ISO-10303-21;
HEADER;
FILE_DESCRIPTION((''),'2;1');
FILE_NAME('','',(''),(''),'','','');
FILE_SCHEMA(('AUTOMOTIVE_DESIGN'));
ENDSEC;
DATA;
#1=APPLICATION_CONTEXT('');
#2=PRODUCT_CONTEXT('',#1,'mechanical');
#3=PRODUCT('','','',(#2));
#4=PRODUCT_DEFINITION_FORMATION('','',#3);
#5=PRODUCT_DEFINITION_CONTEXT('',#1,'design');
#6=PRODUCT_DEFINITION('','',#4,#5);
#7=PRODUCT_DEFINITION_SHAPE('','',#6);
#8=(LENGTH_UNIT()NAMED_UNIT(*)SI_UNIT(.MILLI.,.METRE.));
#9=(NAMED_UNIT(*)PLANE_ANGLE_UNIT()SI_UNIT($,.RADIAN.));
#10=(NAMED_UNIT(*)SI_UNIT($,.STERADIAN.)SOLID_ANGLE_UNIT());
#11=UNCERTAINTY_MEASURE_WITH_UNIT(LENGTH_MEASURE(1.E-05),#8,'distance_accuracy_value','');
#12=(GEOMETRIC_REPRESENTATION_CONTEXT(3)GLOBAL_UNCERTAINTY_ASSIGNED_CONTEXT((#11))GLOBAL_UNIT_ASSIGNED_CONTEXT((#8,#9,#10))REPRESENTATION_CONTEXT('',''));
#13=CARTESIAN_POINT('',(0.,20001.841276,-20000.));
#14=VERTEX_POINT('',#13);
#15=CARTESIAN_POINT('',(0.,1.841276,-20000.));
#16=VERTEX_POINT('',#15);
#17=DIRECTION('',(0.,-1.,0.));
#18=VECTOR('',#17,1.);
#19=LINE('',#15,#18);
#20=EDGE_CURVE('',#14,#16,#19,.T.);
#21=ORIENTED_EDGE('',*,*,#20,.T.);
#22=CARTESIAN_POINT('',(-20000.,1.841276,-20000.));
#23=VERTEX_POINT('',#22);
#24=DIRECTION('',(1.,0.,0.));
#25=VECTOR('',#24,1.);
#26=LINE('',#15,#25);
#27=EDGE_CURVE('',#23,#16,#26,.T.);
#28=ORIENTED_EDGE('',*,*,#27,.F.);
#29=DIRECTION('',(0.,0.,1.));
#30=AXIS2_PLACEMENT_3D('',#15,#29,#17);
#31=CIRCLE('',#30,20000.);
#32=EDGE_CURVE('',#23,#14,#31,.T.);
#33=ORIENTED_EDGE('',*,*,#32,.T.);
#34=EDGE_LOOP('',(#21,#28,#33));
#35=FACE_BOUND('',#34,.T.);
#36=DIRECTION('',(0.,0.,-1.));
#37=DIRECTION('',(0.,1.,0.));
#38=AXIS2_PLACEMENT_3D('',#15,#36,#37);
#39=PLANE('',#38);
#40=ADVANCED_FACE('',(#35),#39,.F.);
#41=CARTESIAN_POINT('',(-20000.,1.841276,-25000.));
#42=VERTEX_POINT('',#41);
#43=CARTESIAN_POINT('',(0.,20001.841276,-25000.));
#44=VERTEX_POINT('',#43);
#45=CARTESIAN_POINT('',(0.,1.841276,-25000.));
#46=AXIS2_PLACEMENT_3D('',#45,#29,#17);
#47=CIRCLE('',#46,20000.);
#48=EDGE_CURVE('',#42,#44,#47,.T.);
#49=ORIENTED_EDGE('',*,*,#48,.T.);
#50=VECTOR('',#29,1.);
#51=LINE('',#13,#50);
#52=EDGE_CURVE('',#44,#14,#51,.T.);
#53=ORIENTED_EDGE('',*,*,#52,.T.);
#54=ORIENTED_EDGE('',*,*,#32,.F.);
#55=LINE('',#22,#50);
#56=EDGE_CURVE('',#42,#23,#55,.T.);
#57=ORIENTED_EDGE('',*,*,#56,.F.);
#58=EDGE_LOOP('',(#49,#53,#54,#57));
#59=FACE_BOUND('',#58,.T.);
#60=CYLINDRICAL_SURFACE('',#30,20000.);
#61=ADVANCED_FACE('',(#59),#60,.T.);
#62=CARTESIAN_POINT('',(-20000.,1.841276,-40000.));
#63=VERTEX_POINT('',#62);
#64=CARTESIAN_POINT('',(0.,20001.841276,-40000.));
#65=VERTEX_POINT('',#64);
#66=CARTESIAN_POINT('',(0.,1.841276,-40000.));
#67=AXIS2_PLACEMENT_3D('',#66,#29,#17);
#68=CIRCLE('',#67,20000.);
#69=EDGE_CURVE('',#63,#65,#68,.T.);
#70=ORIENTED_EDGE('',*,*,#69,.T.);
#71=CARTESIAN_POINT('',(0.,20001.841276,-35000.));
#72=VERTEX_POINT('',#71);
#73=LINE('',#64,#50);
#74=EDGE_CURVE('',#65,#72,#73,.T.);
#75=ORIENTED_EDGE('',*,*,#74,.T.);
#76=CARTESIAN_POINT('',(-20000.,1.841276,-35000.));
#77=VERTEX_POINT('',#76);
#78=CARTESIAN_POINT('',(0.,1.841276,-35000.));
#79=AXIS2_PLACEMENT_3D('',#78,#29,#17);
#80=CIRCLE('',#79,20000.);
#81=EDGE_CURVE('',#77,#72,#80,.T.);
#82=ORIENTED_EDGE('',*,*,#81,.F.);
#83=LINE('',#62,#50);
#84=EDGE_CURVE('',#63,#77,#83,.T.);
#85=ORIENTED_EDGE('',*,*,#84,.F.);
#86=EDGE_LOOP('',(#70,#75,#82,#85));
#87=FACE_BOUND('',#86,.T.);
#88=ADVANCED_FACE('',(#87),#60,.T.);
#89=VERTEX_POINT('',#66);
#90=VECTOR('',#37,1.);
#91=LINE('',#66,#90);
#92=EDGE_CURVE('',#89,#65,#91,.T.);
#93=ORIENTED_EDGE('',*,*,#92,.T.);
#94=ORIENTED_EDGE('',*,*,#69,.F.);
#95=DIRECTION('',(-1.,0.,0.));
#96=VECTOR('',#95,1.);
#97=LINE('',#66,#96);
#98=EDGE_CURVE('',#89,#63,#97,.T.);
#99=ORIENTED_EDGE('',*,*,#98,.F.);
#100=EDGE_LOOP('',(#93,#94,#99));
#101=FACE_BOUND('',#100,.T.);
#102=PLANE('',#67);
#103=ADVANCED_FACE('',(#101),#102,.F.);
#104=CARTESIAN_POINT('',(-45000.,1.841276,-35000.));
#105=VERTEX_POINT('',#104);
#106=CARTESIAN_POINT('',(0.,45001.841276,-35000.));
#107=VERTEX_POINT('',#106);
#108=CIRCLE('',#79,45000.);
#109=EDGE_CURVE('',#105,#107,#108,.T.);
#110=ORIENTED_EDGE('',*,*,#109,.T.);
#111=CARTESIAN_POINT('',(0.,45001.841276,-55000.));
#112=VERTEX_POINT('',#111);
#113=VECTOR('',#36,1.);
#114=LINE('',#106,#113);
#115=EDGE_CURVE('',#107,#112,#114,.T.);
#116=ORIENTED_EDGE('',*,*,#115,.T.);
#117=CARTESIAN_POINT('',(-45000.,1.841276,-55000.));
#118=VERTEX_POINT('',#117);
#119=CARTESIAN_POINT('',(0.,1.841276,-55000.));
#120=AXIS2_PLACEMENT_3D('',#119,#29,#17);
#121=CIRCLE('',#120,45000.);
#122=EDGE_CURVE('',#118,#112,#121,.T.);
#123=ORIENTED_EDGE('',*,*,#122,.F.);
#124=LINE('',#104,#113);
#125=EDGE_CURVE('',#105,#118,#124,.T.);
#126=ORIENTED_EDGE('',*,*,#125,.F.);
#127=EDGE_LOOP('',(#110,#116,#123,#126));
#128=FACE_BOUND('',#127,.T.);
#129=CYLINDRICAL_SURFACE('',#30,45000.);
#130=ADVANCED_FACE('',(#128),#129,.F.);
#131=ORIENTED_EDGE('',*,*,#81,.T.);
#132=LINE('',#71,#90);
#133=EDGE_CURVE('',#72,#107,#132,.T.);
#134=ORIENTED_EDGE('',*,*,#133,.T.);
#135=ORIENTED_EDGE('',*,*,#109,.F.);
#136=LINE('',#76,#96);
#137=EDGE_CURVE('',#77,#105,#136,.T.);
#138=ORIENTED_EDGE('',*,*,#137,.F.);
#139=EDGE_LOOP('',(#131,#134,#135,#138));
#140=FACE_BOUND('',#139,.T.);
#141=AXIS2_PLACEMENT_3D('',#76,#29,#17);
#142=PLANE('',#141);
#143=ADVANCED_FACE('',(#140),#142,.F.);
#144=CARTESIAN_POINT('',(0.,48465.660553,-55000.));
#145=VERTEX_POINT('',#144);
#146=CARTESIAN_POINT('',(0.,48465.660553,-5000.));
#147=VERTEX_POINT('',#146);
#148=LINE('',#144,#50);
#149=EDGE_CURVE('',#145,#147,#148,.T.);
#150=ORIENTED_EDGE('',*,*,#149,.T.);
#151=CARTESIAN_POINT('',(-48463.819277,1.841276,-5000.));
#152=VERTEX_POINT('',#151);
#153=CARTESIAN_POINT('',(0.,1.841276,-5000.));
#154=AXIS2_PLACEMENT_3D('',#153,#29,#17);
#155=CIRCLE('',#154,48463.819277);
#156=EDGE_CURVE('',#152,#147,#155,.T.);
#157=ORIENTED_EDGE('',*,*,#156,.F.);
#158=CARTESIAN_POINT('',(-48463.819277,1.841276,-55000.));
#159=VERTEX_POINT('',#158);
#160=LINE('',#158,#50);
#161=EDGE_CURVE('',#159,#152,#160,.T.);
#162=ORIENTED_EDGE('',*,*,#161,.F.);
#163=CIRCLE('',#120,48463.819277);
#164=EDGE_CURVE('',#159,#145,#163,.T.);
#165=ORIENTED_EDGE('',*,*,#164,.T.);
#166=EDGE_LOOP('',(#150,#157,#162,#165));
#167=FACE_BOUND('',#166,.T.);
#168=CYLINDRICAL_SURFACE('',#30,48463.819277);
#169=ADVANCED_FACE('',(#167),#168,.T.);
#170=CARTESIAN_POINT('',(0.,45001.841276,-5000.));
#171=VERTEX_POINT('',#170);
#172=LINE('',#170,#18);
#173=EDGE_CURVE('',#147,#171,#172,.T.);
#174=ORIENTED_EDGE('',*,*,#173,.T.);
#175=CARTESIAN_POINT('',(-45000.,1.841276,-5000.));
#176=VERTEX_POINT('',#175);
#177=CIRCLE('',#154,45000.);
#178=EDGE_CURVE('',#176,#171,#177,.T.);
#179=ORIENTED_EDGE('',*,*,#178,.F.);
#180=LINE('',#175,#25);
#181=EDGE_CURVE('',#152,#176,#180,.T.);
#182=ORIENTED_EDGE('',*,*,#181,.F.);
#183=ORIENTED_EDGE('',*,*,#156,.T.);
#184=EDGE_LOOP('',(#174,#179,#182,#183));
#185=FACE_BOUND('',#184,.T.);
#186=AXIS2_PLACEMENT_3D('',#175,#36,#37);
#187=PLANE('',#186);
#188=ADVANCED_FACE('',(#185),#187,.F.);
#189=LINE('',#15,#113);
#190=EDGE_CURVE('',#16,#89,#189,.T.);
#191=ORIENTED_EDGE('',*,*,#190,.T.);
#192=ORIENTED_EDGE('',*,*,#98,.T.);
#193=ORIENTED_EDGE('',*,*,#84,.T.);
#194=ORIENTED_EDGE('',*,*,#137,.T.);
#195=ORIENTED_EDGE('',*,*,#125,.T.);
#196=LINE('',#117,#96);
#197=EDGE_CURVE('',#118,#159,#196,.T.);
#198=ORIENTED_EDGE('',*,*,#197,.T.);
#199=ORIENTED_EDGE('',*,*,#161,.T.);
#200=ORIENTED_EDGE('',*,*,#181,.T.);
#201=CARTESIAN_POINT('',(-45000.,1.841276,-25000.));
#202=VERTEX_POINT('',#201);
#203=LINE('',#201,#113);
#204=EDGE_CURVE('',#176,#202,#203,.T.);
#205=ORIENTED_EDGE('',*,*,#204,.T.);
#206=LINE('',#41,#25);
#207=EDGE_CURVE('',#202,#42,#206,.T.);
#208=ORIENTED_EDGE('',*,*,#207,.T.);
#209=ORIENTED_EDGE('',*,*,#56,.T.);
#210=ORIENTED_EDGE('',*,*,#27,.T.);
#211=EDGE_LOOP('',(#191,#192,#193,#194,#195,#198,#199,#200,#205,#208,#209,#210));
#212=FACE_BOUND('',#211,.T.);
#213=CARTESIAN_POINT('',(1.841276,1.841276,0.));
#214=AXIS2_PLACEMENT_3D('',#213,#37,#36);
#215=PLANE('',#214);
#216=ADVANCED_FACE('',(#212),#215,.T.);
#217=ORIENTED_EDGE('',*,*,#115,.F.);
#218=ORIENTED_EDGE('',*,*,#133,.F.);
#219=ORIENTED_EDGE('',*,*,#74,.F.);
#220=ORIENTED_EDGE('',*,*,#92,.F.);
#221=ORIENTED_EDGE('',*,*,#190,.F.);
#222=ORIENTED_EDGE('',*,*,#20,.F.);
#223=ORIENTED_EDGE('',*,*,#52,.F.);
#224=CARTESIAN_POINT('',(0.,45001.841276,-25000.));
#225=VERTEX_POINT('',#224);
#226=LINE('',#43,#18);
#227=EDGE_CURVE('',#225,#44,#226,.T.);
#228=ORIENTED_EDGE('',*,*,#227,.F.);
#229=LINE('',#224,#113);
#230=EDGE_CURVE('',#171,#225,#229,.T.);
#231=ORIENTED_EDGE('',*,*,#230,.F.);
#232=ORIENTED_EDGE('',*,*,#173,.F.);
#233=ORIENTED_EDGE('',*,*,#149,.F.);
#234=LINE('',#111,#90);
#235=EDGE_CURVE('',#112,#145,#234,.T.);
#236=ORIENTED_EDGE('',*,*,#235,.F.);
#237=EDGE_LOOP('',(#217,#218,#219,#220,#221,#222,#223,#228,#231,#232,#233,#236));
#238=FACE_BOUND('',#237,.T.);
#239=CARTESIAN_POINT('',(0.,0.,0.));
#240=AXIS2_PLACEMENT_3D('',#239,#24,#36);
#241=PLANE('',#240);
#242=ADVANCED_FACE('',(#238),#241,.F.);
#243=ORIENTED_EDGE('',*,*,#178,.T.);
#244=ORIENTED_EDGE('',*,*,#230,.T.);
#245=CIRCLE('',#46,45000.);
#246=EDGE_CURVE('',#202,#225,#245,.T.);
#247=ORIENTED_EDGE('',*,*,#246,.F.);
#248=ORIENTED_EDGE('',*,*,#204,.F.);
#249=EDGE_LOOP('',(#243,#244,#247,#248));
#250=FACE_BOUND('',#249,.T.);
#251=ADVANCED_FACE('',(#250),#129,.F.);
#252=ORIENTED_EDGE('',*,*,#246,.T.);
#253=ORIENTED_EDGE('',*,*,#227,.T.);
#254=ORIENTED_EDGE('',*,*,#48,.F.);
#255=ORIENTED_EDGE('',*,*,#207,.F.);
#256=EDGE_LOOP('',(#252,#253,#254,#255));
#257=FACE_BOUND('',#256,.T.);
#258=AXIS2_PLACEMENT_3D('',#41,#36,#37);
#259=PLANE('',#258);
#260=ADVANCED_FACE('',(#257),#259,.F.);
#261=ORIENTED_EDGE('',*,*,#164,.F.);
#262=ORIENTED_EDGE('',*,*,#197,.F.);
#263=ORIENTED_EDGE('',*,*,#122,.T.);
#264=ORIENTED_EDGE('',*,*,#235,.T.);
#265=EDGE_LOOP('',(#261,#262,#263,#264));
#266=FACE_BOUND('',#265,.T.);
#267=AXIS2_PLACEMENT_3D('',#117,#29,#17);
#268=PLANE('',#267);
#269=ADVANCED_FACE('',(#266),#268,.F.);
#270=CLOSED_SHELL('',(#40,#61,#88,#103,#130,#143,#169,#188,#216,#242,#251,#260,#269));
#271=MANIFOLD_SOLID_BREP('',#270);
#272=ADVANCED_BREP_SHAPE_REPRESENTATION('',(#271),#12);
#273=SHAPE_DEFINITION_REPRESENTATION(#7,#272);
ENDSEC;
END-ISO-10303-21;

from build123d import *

# Parameters (mm, degrees)
REVOLVE1_ANGLE = 270


with BuildPart() as part:
    # Sketch1 → Revolve1 (revolve)
    with BuildSketch(Plane(origin=(0, 0, 0), x_dir=(0, 0, -1), z_dir=(1, 0, 0))):
        Polygon((20000, 1.841276289), (40000, 1.841276289), (40000, 20001.841276289), (35000, 20001.841276289), (35000, 45001.841276289), (55000, 45001.841276289), (55000, 48465.660552955), (5000, 48465.660552955), (5000, 45001.841276289), (25000, 45001.841276289), (25000, 20001.841276289), (20000, 20001.841276289), align=None)
    revolve(axis=Axis((0, 1.841276289, -20000), (0, 0, -1)), revolution_arc=REVOLVE1_ANGLE)


solid = part.part
